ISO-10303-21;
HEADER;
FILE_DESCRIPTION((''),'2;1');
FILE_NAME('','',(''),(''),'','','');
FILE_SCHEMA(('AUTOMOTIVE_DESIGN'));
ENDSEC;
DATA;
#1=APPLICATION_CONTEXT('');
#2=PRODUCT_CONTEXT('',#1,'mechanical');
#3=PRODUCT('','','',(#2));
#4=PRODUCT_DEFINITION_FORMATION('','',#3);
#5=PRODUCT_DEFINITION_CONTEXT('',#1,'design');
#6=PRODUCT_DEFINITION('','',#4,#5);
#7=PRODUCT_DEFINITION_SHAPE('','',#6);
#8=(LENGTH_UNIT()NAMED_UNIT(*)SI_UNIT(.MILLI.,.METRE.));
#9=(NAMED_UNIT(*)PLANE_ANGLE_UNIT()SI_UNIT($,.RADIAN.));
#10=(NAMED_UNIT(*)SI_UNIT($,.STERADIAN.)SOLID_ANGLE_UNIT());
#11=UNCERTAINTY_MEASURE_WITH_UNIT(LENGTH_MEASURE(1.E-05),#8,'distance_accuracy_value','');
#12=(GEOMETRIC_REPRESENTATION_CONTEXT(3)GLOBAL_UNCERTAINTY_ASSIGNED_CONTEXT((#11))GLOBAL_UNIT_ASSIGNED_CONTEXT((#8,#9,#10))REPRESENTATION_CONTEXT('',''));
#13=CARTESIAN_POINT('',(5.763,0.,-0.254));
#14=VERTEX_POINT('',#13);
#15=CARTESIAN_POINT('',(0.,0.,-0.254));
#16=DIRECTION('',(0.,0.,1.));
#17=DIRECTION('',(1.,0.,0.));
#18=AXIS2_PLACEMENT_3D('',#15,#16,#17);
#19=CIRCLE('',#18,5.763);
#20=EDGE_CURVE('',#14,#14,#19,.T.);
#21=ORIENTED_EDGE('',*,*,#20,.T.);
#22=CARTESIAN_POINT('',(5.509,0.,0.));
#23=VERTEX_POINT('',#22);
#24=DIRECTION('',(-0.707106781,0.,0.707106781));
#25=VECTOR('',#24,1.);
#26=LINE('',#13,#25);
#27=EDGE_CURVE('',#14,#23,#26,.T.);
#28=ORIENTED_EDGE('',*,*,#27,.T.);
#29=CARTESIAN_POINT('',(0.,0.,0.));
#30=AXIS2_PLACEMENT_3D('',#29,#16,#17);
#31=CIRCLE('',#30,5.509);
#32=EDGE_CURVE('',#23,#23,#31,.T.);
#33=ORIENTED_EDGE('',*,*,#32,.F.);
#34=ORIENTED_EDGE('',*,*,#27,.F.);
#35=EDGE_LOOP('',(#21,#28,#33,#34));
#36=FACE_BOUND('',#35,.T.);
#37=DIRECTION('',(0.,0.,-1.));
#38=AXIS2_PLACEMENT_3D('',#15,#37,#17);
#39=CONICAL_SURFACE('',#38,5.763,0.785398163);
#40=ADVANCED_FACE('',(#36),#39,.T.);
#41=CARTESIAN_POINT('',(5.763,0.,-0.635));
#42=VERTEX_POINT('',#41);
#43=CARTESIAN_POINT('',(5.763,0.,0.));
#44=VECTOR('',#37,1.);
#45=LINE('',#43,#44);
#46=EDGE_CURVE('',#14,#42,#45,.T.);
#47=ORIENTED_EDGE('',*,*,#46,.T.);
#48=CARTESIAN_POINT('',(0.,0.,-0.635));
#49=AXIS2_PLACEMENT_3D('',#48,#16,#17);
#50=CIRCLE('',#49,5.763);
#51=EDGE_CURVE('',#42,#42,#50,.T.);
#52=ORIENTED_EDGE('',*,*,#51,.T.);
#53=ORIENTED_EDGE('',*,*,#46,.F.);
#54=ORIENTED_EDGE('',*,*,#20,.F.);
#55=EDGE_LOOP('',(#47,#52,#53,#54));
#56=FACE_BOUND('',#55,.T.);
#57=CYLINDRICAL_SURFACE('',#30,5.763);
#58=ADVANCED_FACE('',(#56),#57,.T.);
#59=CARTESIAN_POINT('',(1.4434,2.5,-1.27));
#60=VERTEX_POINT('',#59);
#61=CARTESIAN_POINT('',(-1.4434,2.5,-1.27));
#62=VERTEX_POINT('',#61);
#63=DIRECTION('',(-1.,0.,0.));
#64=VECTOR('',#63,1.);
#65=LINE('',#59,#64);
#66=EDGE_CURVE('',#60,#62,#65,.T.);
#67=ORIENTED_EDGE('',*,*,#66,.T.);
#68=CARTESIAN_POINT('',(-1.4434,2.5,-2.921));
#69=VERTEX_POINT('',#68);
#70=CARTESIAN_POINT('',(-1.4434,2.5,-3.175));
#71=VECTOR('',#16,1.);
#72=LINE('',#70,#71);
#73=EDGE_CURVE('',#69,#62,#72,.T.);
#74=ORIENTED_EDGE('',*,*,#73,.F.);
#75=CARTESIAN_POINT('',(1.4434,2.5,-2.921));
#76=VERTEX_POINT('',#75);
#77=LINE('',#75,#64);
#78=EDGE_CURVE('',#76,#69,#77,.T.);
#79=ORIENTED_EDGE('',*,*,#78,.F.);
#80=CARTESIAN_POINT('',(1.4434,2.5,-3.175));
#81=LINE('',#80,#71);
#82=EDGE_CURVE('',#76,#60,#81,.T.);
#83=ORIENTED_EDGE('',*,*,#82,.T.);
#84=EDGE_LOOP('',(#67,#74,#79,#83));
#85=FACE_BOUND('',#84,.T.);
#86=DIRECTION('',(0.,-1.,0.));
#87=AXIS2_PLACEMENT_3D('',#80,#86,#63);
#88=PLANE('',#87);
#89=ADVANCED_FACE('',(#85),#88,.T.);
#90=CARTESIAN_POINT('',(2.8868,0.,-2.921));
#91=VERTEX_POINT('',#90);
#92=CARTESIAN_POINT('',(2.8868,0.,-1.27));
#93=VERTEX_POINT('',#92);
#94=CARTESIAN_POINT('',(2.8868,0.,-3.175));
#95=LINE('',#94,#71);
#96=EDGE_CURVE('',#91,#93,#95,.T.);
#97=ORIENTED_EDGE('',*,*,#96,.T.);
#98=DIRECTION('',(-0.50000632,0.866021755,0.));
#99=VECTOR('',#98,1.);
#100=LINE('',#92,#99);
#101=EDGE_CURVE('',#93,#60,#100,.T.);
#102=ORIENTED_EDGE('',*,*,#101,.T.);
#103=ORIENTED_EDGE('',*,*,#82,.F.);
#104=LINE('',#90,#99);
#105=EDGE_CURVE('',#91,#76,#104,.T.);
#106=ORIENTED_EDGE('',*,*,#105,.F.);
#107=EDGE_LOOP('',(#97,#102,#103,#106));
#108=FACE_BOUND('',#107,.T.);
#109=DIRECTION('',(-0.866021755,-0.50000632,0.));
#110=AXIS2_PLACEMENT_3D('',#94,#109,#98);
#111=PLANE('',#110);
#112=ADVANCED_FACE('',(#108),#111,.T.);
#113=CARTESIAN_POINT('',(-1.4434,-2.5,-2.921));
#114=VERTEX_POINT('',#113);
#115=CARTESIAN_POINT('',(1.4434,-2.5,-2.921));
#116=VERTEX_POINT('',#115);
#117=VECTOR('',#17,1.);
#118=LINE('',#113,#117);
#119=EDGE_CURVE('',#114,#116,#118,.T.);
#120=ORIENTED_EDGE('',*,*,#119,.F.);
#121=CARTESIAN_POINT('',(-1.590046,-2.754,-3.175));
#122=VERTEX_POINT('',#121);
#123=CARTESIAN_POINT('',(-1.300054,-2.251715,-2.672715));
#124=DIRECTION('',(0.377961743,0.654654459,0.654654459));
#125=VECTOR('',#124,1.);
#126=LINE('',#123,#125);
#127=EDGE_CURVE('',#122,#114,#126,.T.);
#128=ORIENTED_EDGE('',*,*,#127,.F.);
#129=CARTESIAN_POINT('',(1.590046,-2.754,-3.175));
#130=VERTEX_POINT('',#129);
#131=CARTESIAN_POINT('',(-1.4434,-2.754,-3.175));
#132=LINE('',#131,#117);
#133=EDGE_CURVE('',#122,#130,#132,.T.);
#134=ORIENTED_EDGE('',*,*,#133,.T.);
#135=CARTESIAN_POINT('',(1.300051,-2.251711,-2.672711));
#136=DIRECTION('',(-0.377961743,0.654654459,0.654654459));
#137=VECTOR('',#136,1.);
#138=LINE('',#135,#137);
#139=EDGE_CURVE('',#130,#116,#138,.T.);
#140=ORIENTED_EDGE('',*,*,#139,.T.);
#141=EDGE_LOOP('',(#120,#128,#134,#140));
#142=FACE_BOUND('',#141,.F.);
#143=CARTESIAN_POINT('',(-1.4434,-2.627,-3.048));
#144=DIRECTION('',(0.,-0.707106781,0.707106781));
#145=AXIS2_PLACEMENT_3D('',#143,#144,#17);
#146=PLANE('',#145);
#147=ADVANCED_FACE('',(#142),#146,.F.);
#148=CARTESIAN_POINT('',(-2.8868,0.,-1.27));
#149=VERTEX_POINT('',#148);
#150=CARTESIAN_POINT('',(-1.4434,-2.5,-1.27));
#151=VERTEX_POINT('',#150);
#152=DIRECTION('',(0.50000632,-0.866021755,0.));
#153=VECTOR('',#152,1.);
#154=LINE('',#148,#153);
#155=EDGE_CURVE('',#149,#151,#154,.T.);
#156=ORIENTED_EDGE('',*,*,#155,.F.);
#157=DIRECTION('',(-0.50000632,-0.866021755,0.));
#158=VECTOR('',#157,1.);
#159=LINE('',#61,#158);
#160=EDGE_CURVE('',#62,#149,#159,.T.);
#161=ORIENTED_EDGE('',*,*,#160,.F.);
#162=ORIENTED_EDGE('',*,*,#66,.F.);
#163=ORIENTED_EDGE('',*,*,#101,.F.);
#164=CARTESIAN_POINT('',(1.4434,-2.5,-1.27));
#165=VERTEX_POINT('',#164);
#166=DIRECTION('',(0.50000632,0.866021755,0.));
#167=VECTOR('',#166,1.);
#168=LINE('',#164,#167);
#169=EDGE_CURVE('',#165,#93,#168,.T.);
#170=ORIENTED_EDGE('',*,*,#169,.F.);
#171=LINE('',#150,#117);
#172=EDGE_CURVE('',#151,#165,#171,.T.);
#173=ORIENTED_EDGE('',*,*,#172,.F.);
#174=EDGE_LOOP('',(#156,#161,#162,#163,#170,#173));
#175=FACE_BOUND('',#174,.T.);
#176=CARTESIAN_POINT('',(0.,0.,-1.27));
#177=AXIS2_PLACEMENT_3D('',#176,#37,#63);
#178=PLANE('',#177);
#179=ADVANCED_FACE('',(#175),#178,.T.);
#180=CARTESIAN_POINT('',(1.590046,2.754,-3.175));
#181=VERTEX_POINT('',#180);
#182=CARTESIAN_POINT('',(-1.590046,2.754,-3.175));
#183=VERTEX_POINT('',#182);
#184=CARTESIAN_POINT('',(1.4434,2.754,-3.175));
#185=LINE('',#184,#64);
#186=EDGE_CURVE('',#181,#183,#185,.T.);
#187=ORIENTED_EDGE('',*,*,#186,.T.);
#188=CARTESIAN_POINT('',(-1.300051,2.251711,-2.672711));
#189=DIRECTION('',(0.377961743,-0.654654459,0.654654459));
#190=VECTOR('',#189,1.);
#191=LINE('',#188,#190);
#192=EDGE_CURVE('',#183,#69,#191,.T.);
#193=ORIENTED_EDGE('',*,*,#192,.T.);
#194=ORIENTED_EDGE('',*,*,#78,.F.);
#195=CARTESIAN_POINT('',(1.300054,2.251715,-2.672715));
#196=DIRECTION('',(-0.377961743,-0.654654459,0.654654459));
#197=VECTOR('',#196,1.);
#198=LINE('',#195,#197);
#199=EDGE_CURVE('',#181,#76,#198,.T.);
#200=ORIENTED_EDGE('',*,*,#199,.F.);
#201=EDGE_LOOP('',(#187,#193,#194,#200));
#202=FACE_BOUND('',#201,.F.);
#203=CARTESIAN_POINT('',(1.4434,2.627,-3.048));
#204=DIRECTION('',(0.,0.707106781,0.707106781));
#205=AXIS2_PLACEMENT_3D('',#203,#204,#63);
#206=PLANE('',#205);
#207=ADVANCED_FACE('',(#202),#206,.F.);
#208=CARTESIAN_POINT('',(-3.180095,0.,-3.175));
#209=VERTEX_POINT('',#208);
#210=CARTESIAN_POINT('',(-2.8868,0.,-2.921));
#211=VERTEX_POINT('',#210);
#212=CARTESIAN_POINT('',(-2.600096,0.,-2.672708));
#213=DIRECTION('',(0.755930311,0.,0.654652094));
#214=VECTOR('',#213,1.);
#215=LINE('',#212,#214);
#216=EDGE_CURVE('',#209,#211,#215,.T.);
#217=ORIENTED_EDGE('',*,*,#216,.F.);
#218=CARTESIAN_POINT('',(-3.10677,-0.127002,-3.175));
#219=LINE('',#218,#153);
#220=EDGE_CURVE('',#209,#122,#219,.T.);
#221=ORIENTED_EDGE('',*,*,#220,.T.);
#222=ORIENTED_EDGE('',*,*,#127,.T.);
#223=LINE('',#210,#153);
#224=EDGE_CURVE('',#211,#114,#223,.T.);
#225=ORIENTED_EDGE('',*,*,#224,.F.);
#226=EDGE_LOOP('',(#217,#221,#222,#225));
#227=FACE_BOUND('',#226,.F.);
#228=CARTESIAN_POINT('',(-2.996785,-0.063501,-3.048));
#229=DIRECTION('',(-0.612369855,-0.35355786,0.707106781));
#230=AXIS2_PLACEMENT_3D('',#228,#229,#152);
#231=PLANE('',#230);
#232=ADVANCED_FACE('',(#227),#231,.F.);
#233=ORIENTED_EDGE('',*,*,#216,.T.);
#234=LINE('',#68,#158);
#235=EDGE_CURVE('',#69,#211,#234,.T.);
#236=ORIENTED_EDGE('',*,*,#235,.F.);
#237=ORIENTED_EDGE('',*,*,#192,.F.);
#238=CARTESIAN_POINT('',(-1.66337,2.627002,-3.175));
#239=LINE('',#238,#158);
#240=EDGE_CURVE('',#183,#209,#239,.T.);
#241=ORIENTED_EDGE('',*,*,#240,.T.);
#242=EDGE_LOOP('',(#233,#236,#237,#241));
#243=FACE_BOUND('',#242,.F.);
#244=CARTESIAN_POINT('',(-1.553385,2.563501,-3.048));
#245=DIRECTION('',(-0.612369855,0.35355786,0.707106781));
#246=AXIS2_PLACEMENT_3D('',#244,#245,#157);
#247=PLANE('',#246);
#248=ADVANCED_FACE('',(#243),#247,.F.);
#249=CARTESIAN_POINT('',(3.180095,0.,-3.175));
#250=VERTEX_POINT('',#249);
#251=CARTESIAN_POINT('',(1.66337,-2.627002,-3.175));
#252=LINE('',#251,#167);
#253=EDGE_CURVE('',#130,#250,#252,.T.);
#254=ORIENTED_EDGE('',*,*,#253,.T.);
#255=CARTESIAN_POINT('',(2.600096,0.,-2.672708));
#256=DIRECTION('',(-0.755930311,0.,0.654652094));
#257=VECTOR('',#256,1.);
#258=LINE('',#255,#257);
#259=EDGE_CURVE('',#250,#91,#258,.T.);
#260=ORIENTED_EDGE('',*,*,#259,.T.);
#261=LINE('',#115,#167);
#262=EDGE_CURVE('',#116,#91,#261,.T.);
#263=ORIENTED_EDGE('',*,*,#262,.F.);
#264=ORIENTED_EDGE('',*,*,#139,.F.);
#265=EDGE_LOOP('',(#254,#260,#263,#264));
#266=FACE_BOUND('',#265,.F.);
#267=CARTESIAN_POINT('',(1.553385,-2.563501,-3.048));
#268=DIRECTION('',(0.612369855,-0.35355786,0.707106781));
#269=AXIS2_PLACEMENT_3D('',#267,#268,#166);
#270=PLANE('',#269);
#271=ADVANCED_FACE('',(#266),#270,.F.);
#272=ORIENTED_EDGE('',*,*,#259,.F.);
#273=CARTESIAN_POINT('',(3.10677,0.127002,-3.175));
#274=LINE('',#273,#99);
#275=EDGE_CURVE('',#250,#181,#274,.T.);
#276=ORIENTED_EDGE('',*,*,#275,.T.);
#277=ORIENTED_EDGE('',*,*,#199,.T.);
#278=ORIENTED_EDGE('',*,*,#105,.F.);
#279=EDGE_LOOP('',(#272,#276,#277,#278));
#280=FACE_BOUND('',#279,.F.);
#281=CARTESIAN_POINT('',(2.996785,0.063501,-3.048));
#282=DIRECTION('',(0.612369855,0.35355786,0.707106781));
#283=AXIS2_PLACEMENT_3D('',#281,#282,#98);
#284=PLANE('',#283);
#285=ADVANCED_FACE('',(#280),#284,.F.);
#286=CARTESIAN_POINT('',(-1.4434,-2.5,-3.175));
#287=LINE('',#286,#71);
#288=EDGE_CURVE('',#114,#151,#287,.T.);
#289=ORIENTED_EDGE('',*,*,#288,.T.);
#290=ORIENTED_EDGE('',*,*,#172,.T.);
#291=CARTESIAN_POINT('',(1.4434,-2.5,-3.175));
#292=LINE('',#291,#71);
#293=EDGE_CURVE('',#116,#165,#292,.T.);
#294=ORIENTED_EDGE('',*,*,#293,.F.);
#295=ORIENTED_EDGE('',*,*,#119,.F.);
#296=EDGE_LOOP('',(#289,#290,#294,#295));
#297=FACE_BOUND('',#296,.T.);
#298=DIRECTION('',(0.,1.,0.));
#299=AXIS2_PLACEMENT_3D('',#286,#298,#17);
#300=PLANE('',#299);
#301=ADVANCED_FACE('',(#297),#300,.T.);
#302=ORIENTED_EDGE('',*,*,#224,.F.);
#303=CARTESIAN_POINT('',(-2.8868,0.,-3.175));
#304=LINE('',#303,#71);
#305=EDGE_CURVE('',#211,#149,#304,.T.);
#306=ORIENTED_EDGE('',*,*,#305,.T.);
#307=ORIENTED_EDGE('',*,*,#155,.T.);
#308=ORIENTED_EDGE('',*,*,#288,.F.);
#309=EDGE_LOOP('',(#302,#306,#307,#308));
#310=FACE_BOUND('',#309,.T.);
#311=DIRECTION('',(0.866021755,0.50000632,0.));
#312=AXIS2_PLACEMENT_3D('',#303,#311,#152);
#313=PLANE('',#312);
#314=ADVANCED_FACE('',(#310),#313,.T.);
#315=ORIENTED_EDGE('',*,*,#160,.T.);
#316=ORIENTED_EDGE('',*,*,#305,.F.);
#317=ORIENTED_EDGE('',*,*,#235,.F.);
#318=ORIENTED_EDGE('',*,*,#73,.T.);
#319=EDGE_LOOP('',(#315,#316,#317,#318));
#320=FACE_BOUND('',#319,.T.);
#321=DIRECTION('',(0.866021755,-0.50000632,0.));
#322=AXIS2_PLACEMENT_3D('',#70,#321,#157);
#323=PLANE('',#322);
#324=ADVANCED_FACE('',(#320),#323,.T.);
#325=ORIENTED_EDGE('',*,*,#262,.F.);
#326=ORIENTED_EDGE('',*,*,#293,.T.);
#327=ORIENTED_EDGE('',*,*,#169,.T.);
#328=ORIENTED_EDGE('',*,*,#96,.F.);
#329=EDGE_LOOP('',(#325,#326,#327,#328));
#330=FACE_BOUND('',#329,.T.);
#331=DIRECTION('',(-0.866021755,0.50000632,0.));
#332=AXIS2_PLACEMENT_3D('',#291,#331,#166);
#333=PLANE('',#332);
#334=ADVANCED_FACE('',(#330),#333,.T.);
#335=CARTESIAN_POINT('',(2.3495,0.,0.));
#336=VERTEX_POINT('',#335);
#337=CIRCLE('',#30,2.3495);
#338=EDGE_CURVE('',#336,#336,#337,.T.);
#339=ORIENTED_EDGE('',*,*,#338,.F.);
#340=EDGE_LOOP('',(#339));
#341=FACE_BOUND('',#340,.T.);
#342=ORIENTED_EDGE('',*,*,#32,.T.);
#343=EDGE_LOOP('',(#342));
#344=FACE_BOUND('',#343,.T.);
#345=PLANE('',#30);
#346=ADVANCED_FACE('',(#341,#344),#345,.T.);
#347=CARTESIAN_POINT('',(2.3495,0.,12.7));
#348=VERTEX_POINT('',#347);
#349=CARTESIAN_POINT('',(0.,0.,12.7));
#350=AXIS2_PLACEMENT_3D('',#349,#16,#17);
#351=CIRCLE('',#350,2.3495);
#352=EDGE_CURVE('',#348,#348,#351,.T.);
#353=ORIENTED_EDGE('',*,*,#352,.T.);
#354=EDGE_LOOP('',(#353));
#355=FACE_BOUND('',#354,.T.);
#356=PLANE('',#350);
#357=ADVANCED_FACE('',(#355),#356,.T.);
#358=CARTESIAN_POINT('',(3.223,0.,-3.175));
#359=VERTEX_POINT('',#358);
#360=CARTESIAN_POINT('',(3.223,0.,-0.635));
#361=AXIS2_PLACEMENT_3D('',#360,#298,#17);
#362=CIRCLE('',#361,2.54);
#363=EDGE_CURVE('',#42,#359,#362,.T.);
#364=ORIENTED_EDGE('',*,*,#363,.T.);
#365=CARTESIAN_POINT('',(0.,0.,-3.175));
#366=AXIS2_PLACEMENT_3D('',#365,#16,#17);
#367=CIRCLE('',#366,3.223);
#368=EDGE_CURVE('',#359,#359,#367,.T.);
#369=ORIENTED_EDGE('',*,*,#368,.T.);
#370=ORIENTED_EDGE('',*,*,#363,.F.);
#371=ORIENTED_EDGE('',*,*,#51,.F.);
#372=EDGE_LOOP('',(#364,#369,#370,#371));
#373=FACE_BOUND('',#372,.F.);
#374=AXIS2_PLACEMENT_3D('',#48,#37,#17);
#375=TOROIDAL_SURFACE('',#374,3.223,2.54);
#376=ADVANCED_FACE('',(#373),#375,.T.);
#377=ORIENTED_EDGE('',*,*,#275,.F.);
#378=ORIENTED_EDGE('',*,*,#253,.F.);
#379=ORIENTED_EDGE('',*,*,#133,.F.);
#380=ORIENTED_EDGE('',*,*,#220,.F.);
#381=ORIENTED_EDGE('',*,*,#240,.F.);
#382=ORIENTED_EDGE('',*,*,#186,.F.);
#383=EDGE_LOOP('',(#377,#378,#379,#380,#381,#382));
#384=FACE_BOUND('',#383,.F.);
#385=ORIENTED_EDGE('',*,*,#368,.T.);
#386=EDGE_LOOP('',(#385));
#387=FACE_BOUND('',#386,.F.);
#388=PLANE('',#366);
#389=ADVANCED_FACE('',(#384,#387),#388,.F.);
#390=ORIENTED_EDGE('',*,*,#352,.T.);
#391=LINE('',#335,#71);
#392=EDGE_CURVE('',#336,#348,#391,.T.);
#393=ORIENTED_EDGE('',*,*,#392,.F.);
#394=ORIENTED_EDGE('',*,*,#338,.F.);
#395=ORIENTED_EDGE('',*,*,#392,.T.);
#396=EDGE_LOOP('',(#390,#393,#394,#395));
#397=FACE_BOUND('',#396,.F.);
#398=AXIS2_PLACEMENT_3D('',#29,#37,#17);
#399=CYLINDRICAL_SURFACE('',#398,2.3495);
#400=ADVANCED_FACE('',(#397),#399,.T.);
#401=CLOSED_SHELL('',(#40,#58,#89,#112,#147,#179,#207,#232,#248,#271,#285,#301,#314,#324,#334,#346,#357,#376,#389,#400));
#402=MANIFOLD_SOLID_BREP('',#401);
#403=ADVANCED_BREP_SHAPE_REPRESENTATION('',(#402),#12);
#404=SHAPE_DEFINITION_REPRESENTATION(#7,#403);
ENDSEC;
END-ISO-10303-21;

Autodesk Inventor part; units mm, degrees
ref_plane "YZ Plane" through (0, 0, 0) normal (1, 0, 0) x (0, 1, 0)
ref_plane "XZ Plane" through (0, 0, 0) normal (0, 1, 0) x (-1, 0, 0)
ref_plane "XY Plane" through (0, 0, 0) normal (0, 0, 1) x (1, 0, 0)
sketch "Sketch1" plane through (0, 0, 0) normal (0, 0, 1) x (1, 0, 0)
  circle A0 centre (0, 0) radius 5.763
  circle A1 centre (0, 0) radius 2.3495
  line L0 (2.8868, 0) -> (1.4434, -2.5)
  line L1 (1.4434, -2.5) -> (-1.4434, -2.5)
  line L2 (-1.4434, -2.5) -> (-2.8868, 0)
  line L3 (-2.8868, 0) -> (-1.4434, 2.5)
  line L4 (-1.4434, 2.5) -> (1.4434, 2.5)
  line L5 (1.4434, 2.5) -> (2.8868, 0)
  dimension "d0" = 11.526
  dimension "d2" = 4.699
  dimension "d5" = 5
extrude "Extrusion1" add sketch "Sketch1" along normal blind 12.7 contours A1
extrude "Extrusion2" add sketch "Sketch1" against normal blind 3.175 contours A0 | A1 | L0 L1 L2 L3 L4 L5
fillet "Fillet1" radius 2.54 1 edges at (-5.763, 0, -3.175)
sketch "Sketch2" plane through (0, 0, -3.175) normal (0, 0, -1) x (-1, 0, 0)
  circle A0 centre (0, 0) radius 2.3495 projected
  circle A1 centre (0, 0) radius 3.223 projected
  line L0 (2.8868, 0) -> (1.4434, -2.5)
  line L1 (1.4434, -2.5) -> (-1.4434, -2.5)
  line L2 (-1.4434, -2.5) -> (-2.8868, 0)
  line L3 (-2.8868, 0) -> (-1.4434, 2.5)
  line L4 (-1.4434, 2.5) -> (1.4434, 2.5)
  line L5 (1.4434, 2.5) -> (2.8868, 0)
  dimension "d9" = 5
extrude "Extrusion3" cut sketch "Sketch2" against normal blind 1.905 contours A0 | L0 L1 L2 L3 L4 L5
thread "Thread1" size "10-32 UNF" class "2A" standard "ANSI Unified Screw Threads" full length
chamfer "Chamfer1" distance 0.254 angle 45 7 edges at (2.1651, 1.25, -3.175) (0, 2.5, -3.175) (-2.1651, 1.25, -3.175) (2.1651, -1.25, -3.175) (0, -2.5, -3.175) (-2.1651, -1.25, -3.175) (-5.763, 0, 0)
properties part number "10-32 Bolt" material "Steel"
